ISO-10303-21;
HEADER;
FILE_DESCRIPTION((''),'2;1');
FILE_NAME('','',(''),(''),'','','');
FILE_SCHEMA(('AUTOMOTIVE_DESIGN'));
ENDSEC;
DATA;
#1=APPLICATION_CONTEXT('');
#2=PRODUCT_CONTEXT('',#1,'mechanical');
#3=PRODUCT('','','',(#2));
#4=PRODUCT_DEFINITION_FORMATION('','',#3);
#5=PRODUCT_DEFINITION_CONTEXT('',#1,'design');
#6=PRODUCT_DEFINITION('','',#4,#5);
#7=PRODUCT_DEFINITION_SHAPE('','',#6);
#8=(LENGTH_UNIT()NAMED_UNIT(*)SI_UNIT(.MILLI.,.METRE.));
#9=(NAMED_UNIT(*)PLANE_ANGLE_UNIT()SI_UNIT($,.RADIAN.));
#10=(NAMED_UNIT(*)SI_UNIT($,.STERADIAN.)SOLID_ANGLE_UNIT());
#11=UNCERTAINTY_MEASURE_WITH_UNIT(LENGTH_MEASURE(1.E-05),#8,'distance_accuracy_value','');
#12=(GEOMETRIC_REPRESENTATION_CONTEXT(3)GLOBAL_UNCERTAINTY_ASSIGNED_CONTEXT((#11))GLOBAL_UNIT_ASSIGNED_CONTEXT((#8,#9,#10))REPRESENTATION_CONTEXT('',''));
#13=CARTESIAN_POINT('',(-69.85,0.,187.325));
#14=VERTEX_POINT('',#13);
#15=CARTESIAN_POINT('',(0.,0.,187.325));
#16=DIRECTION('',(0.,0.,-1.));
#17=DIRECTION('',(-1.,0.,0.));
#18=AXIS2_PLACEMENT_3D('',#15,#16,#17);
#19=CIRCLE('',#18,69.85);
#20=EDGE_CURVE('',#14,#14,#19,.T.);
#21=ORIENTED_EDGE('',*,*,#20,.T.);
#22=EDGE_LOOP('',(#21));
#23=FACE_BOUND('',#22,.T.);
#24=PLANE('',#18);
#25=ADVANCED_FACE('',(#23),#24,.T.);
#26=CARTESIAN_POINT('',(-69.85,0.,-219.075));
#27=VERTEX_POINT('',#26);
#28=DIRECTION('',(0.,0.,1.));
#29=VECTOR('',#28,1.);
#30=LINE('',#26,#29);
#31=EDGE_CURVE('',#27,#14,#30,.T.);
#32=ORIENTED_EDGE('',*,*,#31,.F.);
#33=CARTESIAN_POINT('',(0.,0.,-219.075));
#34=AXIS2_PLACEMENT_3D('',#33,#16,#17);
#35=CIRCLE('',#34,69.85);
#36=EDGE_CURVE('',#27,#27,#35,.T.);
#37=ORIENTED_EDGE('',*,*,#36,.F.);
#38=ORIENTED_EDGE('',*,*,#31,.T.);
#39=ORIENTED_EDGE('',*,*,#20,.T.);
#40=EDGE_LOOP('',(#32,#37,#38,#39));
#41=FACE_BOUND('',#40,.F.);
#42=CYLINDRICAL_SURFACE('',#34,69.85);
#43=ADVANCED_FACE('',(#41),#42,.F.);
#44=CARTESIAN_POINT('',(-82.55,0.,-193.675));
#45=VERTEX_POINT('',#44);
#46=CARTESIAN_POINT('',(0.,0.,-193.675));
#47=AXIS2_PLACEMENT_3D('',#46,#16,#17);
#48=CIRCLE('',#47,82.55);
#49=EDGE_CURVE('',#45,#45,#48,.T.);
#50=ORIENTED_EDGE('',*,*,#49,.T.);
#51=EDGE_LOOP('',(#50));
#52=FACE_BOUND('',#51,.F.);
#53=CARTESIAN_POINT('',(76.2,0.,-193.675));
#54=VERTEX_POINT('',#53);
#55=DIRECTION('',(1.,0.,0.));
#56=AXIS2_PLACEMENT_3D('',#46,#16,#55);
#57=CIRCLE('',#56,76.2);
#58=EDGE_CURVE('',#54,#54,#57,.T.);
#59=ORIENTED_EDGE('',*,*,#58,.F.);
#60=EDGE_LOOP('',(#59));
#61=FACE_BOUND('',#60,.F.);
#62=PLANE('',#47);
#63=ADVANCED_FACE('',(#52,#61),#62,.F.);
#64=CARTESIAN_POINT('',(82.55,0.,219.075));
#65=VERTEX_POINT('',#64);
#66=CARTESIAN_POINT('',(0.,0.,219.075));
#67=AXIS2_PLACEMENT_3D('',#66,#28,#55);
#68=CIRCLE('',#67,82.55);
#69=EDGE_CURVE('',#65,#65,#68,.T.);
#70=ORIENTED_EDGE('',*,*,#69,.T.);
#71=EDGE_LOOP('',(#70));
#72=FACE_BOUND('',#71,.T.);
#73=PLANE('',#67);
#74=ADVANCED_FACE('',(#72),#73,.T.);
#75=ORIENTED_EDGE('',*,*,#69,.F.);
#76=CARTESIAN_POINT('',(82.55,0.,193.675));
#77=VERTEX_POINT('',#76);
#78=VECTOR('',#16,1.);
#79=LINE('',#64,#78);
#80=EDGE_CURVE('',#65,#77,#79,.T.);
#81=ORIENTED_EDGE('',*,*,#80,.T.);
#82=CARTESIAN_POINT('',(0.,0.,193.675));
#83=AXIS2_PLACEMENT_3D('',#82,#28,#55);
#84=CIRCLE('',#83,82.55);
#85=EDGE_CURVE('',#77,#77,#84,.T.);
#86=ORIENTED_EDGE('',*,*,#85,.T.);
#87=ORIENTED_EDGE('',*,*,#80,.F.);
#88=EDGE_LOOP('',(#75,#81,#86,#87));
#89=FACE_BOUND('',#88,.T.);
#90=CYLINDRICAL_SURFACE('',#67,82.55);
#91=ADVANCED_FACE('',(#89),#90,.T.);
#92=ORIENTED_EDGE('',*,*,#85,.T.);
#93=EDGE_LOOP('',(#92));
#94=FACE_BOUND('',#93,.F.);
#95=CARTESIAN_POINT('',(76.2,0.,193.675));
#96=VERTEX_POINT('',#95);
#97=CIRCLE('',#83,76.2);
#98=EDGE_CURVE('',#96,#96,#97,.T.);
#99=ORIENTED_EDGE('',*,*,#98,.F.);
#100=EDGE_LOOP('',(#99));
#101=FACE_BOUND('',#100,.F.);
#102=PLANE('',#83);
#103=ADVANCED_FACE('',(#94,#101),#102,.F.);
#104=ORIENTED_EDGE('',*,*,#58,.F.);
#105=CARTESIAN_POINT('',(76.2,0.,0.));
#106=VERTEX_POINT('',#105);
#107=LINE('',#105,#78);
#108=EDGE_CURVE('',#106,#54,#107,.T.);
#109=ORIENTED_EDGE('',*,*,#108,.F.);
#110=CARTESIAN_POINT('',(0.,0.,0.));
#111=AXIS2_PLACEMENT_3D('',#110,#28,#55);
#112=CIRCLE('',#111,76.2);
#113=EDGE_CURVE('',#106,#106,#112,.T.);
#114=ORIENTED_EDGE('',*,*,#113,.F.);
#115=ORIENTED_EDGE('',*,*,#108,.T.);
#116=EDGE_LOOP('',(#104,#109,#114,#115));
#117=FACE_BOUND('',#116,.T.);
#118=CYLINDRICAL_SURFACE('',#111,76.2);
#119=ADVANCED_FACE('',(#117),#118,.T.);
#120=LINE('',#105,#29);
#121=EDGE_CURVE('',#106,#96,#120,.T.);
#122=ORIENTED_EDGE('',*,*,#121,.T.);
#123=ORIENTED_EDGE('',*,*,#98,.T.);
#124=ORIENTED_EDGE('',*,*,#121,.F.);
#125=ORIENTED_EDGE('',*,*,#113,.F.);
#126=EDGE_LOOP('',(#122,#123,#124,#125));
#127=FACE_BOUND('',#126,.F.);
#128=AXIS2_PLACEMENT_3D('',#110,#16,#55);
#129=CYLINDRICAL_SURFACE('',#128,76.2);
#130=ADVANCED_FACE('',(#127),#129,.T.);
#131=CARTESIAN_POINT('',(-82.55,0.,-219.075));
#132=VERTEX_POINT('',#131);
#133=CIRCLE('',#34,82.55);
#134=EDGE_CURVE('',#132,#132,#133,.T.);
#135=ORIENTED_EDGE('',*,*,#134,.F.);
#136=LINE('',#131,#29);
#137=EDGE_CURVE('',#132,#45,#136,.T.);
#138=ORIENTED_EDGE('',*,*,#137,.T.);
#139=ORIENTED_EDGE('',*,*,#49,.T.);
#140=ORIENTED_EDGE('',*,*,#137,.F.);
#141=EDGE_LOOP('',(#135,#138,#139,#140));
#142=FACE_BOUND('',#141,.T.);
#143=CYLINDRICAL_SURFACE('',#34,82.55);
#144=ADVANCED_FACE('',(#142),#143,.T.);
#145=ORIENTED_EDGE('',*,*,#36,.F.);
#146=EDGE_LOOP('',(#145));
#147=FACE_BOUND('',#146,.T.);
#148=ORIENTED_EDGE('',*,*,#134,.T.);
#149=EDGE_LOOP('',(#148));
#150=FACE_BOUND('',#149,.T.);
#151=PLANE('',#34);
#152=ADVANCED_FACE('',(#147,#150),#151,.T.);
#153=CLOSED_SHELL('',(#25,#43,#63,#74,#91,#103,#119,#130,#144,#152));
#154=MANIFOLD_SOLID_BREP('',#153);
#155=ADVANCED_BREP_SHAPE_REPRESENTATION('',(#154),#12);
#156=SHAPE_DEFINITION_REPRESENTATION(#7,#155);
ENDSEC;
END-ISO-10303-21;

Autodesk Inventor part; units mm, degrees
ref_plane "XZ Plane" through (0, 0, 0) normal (0, 1, 0) x (-1, 0, 0)
ref_plane "XY Plane" through (0, 0, 0) normal (0, 0, 1) x (1, 0, 0)
sketch "Sketch1" plane through (0, 0, 0) normal (0, 0, 1) x (1, 0, 0)
  circle A0 centre (0, 0) radius 76.2
  dimension "tubeDiameter" = 152.4
extrude "Extrusion1" add sketch "Sketch1" along normal mid plane 438.15
sketch "Sketch2" plane through (0, 0, -219.075) normal (0, 0, -1) x (-1, 0, 0)
  circle A0 centre (0, 0) radius 69.85
  dimension "d6" = 139.7
extrude "Extrusion2" cut sketch "Sketch2" against normal blind 406.4
sketch "Sketch3" plane through (0, 0, 219.075) normal (0, 0, 1) x (1, 0, 0)
  circle A0 centre (0, 0) radius 82.55
  circle A1 centre (0, 0) radius 76.2
  dimension "d9" = 165.1
extrude "Extrusion3" add sketch "Sketch3" against normal blind 25.4
sketch "Sketch4" plane through (0, 0, -219.075) normal (0, 0, -1) x (-1, 0, 0)
  circle A0 centre (0, 0) radius 76.2
  circle A1 centre (0, 0) radius 82.55
extrude "Extrusion4" add sketch "Sketch4" against normal blind 25.4
properties part number "telescopeTube" material "Nylon, molybdenum disulphide"
